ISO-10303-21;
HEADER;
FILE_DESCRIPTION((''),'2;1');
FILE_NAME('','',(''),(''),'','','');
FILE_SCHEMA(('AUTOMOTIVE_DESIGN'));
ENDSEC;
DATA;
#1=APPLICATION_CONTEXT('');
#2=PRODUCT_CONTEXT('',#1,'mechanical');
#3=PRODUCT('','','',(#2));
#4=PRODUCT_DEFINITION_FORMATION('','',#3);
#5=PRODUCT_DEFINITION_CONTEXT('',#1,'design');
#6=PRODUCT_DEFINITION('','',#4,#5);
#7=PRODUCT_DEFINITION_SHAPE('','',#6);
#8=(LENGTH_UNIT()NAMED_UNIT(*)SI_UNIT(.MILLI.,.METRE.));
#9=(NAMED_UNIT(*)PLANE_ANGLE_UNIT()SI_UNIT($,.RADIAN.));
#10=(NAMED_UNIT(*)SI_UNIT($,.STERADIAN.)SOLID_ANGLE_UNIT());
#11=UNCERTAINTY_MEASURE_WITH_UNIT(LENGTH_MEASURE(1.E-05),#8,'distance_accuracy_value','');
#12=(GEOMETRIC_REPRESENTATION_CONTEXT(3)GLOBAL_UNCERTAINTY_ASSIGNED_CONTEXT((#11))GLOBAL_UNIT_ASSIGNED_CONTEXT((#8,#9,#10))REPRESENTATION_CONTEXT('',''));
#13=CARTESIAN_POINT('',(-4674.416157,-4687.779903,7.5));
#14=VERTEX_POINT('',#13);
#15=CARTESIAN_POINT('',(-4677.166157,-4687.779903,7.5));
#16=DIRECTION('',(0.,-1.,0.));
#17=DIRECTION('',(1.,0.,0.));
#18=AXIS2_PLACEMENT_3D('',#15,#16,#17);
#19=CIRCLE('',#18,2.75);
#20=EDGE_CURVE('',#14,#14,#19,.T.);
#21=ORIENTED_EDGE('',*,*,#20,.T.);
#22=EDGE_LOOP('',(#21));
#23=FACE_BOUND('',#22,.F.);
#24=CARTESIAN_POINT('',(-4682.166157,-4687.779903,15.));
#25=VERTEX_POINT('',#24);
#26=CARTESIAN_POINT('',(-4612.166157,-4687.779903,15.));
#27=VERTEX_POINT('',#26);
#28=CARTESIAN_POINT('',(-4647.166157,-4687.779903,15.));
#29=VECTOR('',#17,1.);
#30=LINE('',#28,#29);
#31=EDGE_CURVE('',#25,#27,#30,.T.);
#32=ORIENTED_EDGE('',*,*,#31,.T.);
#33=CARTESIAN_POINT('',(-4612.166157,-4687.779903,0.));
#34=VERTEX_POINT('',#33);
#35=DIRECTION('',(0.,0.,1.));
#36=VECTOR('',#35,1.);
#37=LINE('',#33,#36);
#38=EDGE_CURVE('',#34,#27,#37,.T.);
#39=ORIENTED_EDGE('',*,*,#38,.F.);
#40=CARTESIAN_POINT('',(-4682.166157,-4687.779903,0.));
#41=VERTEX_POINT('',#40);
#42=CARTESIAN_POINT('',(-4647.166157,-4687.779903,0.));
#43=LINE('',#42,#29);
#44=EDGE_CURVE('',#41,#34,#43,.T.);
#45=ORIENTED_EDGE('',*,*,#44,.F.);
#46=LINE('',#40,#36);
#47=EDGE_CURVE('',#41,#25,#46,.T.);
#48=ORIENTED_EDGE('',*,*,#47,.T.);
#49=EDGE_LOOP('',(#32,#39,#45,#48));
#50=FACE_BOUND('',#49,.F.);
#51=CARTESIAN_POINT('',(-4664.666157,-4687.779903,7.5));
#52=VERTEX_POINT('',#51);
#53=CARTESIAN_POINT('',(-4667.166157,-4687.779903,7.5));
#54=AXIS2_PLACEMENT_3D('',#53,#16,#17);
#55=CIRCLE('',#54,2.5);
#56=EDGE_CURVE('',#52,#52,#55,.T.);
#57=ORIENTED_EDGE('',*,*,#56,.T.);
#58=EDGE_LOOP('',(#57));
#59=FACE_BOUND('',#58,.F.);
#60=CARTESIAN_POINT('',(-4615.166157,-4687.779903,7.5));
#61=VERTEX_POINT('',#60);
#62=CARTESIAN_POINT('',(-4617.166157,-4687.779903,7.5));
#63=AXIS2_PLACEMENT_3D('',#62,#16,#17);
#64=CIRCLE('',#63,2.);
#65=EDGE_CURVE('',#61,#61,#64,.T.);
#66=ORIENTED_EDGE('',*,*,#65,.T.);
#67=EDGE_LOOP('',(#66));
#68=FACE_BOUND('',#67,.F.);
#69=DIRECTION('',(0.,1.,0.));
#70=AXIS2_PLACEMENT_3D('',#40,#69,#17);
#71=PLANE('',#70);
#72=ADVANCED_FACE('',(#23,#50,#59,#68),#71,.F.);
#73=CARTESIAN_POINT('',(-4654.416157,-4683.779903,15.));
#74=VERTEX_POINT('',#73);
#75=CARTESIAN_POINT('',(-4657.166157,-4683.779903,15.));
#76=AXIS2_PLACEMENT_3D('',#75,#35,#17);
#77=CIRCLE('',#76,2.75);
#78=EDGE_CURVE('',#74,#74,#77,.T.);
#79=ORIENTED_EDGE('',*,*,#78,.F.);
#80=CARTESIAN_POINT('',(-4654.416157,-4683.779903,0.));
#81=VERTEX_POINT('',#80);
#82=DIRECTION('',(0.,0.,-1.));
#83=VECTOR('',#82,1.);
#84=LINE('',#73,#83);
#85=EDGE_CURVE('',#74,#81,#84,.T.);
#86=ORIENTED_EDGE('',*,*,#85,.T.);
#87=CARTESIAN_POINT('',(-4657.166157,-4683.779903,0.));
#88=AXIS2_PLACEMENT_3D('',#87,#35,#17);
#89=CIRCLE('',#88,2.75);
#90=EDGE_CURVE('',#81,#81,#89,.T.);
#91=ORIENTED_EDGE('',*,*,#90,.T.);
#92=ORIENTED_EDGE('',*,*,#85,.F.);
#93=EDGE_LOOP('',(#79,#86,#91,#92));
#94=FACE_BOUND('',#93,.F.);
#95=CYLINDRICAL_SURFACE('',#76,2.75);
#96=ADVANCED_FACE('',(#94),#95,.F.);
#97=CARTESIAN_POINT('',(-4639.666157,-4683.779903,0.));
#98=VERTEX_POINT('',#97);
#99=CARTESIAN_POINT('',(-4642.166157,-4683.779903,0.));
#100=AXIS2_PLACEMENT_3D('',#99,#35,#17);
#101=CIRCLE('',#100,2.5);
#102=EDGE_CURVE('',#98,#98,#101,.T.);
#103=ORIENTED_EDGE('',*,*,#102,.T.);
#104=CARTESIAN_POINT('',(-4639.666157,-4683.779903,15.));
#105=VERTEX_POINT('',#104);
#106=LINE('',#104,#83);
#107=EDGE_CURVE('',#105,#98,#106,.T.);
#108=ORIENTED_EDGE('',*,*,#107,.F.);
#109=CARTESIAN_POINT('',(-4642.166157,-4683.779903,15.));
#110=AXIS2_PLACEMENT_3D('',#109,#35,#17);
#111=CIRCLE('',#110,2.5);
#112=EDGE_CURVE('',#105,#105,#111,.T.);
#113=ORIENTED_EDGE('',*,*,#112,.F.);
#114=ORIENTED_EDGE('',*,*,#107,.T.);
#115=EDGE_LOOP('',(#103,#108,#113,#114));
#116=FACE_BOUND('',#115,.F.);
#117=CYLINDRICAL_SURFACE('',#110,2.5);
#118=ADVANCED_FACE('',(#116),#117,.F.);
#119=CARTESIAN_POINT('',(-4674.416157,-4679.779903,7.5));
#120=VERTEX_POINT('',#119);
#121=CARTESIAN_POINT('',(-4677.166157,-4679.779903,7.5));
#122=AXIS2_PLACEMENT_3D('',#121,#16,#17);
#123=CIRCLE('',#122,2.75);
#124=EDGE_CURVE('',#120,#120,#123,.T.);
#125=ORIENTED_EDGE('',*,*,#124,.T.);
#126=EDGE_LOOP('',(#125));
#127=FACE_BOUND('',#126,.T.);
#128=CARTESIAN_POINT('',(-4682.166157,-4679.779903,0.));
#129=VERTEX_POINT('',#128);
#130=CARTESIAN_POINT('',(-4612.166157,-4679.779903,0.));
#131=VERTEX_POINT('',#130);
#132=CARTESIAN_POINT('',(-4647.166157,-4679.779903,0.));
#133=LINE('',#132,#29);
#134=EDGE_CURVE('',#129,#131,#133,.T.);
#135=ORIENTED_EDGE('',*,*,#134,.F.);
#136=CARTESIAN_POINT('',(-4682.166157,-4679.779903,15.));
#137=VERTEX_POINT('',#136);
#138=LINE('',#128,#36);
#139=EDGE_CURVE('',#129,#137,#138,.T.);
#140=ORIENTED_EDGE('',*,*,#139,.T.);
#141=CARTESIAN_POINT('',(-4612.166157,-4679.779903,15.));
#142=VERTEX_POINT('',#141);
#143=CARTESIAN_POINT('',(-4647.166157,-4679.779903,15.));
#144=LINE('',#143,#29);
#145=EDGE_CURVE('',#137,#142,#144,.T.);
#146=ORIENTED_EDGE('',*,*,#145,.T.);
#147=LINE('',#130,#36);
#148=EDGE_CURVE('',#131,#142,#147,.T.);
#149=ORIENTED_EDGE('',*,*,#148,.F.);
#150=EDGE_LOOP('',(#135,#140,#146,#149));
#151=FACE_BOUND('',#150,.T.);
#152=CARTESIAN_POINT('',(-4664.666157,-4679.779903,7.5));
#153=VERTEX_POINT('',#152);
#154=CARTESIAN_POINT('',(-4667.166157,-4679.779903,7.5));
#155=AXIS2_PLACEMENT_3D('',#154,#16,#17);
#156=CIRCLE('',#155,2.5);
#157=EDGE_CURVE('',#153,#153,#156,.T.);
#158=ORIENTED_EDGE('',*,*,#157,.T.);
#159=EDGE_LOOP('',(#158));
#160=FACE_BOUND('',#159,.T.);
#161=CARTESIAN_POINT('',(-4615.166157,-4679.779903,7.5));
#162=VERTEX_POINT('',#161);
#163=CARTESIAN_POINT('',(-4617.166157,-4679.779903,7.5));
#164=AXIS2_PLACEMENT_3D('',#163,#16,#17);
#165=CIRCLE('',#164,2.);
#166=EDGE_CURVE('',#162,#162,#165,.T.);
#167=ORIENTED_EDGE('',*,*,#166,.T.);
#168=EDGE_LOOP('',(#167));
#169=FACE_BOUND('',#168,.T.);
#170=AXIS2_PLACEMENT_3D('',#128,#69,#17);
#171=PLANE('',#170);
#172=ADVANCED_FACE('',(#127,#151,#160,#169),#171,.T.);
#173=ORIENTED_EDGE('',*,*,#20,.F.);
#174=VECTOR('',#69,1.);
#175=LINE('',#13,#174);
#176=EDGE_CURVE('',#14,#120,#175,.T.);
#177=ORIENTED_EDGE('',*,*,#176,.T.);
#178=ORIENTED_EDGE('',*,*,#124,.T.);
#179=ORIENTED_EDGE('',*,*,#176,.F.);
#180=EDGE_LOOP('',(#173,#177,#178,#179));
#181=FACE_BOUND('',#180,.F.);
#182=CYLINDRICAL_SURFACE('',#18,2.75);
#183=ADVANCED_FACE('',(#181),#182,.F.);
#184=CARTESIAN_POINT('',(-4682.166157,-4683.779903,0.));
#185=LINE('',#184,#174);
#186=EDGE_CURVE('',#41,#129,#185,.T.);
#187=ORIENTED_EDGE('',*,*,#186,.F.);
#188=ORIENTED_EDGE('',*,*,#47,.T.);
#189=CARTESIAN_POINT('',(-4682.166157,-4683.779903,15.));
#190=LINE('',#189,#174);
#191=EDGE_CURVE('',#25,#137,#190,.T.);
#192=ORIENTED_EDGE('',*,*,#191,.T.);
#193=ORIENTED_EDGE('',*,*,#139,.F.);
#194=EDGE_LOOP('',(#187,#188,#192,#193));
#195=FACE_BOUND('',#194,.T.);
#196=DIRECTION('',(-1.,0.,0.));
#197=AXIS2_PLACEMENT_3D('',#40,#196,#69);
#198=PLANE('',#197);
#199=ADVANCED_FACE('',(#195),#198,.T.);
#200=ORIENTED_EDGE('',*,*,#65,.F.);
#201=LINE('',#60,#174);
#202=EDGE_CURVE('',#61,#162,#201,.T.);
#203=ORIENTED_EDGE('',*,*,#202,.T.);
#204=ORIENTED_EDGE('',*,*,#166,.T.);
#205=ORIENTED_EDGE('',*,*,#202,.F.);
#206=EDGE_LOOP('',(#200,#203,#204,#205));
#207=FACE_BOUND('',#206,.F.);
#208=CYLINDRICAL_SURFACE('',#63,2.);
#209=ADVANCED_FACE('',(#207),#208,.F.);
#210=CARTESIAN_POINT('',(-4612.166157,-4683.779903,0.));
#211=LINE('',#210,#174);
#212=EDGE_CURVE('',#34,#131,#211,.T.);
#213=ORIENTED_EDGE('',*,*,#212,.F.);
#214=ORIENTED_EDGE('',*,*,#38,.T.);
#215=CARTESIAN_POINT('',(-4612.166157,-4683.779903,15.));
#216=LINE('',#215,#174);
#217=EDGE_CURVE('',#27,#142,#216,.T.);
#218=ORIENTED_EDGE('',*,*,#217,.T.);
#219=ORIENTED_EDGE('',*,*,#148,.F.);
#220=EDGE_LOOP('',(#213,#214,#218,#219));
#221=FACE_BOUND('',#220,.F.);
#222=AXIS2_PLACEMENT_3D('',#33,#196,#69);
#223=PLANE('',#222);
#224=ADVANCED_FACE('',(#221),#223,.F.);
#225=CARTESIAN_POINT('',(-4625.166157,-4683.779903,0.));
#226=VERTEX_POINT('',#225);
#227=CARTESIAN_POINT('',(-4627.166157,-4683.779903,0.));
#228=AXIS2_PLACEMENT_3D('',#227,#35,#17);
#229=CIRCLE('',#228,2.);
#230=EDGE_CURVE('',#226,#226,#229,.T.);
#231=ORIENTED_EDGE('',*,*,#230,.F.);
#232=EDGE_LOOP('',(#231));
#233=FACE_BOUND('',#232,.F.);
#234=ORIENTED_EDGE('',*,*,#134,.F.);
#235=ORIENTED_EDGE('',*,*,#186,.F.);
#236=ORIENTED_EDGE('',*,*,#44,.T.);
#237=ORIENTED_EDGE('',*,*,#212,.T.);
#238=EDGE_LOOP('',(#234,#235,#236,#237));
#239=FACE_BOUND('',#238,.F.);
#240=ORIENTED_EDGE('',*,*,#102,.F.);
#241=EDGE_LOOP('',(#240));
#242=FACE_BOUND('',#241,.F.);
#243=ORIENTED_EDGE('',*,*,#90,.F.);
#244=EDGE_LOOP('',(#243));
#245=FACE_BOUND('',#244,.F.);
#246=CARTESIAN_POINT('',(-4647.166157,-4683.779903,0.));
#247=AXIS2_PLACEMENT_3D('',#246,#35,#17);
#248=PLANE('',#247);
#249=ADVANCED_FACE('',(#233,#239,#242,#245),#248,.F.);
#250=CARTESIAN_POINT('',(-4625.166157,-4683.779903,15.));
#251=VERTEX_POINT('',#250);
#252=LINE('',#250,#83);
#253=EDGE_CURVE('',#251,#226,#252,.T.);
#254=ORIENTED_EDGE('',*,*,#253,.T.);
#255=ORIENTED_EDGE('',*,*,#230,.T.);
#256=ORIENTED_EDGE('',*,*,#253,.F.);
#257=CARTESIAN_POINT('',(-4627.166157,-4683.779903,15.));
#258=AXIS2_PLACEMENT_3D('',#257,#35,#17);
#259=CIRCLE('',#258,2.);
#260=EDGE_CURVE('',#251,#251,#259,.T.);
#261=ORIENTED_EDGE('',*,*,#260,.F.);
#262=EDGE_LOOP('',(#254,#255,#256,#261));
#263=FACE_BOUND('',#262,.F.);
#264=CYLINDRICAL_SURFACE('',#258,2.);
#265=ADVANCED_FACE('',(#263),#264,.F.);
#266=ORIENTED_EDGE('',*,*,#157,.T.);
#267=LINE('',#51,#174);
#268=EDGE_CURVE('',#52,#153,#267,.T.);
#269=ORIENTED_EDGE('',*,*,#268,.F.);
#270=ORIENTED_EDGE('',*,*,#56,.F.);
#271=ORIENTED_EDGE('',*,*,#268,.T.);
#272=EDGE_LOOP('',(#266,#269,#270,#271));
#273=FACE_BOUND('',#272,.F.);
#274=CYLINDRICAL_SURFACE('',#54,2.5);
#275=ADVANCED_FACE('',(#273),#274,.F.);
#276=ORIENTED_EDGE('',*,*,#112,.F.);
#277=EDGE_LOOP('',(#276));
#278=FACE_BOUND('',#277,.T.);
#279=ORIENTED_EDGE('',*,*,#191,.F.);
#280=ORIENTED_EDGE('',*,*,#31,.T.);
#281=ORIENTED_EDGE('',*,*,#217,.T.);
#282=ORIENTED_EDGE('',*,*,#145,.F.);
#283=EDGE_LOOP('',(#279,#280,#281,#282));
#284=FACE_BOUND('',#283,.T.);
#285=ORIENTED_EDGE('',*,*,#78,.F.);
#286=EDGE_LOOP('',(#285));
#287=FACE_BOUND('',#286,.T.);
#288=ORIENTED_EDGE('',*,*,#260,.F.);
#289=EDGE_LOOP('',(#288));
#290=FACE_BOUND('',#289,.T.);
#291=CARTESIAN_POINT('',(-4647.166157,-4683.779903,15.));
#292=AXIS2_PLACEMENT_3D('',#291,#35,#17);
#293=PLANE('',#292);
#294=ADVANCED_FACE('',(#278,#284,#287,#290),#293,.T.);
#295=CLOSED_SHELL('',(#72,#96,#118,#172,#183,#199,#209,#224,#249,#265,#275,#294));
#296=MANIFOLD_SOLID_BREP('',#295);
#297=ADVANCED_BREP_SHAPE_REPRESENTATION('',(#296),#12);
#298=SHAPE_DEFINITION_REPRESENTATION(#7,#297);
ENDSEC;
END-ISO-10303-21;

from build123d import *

# Parameters (mm, degrees)
F0_W     = 70
F0_H     = 8
F1_DEPTH = 15
F2_R     = 2.75
F2_R_2   = 2
F2_R_3   = 2.5
F3_DEPTH = 8
F4_R     = 2.75
F4_R_2   = 2.5
F4_R_3   = 2
F5_DEPTH = 25


with BuildPart() as f1:
    # F0 (on Top) → F1 (new body)
    with BuildSketch(Plane.XY):
        with Locations((-4647.166157, -4683.779903)):
            Rectangle(F0_W, F0_H)
    extrude(amount=F1_DEPTH)

    # F2 (on face) → F3 (cut)
    with BuildSketch(Plane.XZ.offset(4687.779903)):
        with Locations((-4677.166157, 7.5)):
            Circle(F2_R)
        with Locations((-4617.166157, 7.5)):
            Circle(F2_R_2)
        with Locations((-4667.166157, 7.5)):
            Circle(F2_R_3)
    extrude(amount=-F3_DEPTH, mode=Mode.SUBTRACT)

    # F4 (on face) → F5 (cut)
    with BuildSketch(Plane.XY.offset(15)):
        with Locations((-4657.166157, -4683.779903)):
            Circle(F4_R)
        with Locations((-4642.166157, -4683.779903)):
            Circle(F4_R_2)
        with Locations((-4627.166157, -4683.779903)):
            Circle(F4_R_3)
    extrude(amount=-F5_DEPTH, mode=Mode.SUBTRACT)


solid = f1.part
